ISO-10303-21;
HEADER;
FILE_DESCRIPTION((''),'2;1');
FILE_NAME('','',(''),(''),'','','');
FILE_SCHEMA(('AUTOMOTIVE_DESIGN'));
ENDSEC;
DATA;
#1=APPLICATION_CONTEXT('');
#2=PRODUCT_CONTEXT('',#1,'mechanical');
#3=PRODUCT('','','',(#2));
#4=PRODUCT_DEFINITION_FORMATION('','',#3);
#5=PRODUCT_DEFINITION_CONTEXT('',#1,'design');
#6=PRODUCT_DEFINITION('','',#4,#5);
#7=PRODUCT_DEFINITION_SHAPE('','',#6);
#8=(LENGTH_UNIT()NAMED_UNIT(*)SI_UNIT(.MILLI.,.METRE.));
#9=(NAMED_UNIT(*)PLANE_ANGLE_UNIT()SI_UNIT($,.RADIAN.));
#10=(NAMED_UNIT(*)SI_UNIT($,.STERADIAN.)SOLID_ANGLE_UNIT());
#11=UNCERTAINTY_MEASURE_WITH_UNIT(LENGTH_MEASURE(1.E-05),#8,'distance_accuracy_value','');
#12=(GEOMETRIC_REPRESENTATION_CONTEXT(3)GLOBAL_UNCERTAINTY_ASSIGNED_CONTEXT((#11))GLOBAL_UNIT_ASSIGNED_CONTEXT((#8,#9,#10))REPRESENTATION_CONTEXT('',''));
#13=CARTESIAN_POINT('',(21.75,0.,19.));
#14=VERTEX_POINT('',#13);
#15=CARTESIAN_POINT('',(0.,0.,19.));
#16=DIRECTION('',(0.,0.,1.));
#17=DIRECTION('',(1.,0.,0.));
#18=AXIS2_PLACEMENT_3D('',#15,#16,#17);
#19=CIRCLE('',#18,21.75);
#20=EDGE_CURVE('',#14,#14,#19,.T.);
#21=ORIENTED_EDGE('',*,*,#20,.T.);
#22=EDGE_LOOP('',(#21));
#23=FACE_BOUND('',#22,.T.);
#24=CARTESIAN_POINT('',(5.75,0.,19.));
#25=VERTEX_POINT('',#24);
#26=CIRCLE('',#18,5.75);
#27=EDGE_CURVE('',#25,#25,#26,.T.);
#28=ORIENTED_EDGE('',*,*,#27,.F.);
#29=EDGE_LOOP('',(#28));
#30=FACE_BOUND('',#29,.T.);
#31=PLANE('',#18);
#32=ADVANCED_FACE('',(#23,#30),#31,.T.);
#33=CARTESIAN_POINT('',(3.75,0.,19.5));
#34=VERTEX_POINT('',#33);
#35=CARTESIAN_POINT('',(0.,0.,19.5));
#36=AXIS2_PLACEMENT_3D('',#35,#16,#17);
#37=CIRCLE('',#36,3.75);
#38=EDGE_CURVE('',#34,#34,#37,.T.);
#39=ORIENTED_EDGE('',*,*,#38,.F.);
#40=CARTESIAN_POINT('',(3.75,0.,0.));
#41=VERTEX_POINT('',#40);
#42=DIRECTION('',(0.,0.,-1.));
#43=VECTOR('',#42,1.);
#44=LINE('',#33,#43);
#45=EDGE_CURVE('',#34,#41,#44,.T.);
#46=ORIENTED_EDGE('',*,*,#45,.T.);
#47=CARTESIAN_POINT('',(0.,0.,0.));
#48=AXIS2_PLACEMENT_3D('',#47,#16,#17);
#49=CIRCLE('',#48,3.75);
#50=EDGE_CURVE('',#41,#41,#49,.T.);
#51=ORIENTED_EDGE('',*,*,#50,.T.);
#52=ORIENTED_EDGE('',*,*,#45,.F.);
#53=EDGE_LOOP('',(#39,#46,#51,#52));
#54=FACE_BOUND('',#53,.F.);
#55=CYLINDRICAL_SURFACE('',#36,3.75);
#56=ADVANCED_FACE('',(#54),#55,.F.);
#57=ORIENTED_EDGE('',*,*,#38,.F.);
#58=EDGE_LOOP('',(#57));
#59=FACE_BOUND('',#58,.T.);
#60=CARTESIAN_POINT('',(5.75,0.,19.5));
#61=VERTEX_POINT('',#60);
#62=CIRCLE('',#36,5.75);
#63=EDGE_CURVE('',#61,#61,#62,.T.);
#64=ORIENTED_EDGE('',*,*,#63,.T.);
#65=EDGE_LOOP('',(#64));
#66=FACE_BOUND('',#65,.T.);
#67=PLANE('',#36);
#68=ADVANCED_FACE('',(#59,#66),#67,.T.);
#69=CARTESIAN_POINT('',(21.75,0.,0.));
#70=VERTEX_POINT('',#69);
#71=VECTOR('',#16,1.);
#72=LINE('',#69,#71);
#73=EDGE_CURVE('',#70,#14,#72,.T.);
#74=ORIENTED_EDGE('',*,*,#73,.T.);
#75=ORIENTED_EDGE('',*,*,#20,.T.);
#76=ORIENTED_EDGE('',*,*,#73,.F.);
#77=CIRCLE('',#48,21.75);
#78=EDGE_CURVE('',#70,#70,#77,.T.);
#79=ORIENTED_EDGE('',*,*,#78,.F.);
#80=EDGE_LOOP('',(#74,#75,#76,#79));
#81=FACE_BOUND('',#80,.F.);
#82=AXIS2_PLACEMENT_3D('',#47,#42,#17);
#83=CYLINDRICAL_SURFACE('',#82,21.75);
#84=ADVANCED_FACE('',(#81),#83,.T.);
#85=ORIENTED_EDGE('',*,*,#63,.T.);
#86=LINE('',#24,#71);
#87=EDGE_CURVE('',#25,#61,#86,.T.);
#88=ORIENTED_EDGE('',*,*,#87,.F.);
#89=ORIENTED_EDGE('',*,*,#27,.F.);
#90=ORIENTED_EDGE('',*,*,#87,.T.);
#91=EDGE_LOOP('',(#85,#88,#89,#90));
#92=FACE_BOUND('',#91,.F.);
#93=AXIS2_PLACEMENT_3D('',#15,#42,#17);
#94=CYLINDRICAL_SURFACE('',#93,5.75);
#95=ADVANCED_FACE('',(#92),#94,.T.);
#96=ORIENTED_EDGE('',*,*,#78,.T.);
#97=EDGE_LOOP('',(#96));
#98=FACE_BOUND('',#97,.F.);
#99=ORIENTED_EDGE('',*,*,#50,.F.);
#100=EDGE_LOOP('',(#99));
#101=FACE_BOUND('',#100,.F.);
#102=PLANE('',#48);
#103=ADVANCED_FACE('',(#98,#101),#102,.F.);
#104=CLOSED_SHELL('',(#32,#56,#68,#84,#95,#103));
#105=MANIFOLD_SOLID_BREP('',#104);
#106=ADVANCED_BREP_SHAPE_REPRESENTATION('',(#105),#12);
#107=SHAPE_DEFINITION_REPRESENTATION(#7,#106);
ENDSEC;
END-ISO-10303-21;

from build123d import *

# Parameters (mm, degrees)
SKETCH_R     = 21.75
PAD_DEPTH    = 19
SKETCH001_R  = 5.75
PAD001_DEPTH = 0.5
SKETCH002_R  = 3.75
POCKET_DEPTH = 19.501


with BuildPart() as part:
    # Sketch → Pad (new body)
    with BuildSketch(Plane.XY):
        Circle(SKETCH_R)
    extrude(amount=PAD_DEPTH)

    # Sketch001 (on Face3 of Pad) → Pad001 (join)
    with BuildSketch(Plane.XY.offset(19)):
        Circle(SKETCH001_R)
    extrude(amount=PAD001_DEPTH)

    # Sketch002 (on Face5 of Pad001) → Pocket (cut, through all)
    with BuildSketch(Plane.XY.offset(19.5)):
        Circle(SKETCH002_R)
    extrude(amount=-POCKET_DEPTH, mode=Mode.SUBTRACT)


solid = part.part
